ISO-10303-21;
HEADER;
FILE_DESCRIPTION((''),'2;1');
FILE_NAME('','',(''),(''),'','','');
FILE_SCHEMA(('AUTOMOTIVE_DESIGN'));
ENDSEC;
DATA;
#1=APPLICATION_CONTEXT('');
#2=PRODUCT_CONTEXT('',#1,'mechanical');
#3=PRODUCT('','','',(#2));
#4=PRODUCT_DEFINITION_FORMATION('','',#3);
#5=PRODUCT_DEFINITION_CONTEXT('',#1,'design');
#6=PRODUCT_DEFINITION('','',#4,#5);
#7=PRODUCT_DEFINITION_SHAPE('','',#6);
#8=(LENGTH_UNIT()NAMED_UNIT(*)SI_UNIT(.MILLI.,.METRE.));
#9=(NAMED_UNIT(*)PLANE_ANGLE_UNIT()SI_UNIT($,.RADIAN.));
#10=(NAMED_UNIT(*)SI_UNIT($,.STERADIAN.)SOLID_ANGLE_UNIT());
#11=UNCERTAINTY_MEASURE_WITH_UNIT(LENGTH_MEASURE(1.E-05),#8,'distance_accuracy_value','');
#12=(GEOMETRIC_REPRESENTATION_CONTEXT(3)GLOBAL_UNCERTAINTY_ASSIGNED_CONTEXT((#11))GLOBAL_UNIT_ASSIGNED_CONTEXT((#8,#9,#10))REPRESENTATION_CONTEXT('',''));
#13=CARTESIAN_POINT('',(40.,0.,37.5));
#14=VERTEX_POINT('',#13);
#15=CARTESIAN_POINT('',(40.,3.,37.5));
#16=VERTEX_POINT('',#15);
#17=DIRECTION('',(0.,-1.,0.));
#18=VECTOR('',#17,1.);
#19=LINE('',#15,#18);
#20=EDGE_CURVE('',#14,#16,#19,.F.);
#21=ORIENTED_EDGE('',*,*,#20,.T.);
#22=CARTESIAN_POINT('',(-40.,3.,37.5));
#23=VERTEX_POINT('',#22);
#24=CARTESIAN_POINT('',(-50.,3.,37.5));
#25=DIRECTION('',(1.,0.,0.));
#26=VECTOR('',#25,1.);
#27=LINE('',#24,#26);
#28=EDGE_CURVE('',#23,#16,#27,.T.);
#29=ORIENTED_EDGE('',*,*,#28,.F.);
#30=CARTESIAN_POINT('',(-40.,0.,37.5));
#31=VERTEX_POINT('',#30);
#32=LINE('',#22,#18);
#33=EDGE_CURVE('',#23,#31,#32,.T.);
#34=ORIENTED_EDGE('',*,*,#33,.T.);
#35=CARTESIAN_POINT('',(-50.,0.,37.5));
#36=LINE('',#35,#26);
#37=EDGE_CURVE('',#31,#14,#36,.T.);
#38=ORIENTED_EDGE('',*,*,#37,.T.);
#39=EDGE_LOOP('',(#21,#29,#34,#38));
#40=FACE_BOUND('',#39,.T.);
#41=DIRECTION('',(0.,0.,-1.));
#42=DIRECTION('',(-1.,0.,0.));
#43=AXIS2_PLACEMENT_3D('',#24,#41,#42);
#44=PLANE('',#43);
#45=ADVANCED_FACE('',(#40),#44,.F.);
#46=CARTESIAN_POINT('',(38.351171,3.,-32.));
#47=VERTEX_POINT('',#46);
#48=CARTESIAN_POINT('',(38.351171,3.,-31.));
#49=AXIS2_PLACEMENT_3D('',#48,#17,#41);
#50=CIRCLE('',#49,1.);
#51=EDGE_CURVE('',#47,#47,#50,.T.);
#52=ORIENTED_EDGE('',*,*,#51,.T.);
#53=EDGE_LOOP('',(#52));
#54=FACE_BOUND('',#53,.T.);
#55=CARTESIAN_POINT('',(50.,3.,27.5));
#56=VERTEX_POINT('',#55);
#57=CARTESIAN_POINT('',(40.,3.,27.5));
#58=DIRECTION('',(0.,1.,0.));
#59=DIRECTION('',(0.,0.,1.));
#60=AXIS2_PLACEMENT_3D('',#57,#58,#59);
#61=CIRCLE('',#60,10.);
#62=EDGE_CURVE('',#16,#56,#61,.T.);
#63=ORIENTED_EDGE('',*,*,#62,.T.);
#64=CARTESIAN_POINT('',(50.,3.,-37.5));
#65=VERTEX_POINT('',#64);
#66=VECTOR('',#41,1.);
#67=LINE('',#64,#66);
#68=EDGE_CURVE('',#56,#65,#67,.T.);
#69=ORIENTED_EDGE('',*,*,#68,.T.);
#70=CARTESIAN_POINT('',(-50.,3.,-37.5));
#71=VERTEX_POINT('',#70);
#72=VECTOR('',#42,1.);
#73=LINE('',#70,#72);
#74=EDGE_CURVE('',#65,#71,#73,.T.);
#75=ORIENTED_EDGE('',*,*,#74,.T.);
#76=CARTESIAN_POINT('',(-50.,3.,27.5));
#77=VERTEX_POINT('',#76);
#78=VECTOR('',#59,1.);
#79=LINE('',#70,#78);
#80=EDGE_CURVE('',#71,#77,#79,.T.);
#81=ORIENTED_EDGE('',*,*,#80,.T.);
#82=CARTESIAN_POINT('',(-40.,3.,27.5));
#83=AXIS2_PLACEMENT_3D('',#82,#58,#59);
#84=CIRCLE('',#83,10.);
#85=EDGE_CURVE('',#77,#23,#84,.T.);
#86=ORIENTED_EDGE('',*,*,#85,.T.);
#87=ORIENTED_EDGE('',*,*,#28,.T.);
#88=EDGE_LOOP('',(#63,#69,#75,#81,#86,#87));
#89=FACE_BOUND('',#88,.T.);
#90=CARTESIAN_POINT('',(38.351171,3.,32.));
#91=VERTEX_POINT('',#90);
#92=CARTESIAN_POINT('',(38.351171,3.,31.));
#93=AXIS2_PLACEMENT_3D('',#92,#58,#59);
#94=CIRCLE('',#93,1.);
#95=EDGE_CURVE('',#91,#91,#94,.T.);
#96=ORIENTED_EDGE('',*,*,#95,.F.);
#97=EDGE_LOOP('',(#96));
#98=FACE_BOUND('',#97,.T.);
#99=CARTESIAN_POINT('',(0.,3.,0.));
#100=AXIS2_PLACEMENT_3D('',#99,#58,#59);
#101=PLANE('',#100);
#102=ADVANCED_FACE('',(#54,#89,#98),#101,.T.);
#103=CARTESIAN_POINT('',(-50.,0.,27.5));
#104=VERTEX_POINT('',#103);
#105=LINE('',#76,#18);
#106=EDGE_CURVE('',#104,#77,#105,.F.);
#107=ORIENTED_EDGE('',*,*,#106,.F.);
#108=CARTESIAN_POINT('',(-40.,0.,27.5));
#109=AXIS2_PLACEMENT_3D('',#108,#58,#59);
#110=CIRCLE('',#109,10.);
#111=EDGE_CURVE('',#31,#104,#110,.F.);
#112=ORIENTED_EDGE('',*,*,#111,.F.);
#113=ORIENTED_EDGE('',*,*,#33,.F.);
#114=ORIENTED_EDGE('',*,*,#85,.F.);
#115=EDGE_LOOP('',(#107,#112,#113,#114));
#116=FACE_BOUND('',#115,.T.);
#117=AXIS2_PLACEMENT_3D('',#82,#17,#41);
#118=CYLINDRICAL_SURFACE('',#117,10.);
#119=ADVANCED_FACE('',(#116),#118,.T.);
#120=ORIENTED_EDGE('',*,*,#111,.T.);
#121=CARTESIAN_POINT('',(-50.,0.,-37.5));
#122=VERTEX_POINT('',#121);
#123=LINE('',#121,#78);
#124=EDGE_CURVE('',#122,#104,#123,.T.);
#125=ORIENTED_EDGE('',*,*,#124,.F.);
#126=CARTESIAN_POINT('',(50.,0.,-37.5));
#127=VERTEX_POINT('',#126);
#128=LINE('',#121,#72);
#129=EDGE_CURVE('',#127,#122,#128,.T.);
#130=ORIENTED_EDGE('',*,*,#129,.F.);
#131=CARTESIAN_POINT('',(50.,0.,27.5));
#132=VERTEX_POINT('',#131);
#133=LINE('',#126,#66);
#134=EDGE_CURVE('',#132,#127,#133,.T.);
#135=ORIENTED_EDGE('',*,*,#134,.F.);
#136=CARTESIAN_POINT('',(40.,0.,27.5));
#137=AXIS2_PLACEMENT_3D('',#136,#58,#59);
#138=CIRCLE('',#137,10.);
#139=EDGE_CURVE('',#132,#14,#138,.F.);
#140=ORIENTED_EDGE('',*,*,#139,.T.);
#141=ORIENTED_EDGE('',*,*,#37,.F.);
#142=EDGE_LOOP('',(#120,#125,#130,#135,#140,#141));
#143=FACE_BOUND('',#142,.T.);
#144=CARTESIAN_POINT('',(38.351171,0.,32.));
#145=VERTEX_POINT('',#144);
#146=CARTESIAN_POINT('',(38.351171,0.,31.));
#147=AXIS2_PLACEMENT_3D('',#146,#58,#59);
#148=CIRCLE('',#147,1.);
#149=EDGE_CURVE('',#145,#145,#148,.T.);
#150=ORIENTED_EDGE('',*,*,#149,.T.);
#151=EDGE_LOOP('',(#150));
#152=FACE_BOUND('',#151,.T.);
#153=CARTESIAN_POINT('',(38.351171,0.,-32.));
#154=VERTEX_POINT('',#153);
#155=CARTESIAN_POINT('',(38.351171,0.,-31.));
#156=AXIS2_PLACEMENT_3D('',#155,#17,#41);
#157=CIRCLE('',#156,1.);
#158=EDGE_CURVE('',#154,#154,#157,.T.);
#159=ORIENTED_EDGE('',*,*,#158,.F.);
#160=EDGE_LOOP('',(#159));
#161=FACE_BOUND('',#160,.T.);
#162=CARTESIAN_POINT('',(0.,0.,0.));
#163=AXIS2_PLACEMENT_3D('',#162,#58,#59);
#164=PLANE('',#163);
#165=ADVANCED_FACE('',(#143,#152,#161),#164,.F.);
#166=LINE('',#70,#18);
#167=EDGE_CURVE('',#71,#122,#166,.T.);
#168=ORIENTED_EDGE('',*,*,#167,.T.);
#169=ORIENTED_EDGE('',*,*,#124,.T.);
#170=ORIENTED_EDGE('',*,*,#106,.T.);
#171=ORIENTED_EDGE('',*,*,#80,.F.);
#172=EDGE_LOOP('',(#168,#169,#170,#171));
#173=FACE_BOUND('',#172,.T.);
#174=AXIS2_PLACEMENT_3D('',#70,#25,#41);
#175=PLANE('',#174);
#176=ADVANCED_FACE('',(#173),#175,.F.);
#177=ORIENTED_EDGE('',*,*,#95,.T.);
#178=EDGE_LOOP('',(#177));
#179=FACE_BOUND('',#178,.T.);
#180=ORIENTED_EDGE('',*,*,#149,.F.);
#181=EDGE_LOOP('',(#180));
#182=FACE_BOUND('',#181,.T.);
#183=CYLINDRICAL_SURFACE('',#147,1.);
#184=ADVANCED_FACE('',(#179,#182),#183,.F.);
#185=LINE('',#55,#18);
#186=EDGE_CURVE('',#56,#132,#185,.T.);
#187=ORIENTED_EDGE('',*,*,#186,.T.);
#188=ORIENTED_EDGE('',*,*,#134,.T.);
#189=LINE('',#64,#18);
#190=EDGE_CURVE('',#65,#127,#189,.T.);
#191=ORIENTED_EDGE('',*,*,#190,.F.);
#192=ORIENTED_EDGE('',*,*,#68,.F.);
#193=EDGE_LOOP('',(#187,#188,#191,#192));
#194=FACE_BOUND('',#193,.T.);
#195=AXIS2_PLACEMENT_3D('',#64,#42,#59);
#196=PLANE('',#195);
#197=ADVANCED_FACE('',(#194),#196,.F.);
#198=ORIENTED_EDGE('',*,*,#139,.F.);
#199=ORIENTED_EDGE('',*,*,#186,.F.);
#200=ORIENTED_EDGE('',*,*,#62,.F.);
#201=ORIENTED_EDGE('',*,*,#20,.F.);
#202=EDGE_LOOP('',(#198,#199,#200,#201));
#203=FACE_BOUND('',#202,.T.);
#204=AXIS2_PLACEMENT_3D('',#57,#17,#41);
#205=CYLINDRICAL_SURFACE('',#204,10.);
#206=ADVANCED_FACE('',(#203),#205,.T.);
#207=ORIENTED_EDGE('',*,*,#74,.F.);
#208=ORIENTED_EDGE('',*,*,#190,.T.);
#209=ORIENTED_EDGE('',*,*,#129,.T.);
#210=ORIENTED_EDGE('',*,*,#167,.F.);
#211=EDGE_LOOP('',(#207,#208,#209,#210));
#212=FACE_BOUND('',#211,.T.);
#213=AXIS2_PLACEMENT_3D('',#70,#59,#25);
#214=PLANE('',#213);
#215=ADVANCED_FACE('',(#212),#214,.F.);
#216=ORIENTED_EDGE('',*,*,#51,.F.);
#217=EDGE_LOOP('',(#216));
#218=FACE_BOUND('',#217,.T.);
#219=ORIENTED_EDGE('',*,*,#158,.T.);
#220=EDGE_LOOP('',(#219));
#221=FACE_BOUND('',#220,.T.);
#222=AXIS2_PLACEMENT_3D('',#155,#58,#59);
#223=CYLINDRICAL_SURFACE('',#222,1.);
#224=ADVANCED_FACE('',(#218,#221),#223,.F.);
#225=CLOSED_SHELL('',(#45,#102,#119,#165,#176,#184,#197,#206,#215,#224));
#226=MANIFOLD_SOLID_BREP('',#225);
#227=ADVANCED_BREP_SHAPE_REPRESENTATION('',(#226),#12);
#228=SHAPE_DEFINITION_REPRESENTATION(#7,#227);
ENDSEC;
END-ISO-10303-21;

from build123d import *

# Parameters (mm, degrees)
SKETCH1_W           = 100
SKETCH1_H           = 75
BOSS_EXTRUDE1_DEPTH = 3
FILLET1_R           = 10
SKETCH2_R           = 1
CUT_EXTRUDE1_DEPTH  = 4


with BuildPart() as part:
    # Sketch1 → Boss-Extrude1 (new body)
    with BuildSketch(Plane(origin=(0, 0, 0), x_dir=(1, 0, 0), z_dir=(0, 1, 0))):
        Rectangle(SKETCH1_W, SKETCH1_H)
    extrude(amount=BOSS_EXTRUDE1_DEPTH)

    # Fillet1
    fillet1_edges = [part.edges().sort_by_distance(p)[0] for p in [
        (50, 1.5, 37.5),
        (-50, 1.5, 37.5),
    ]]
    fillet(fillet1_edges, radius=FILLET1_R)

    # Sketch2 → Cut-Extrude1 (cut, through all)
    with BuildSketch(Plane(origin=(0, 3, 0), x_dir=(1, 0, 0), z_dir=(0, 1, 0))):
        with Locations((38.351170888, -31)):
            Circle(SKETCH2_R)
    cut_extrude1 = extrude(amount=-CUT_EXTRUDE1_DEPTH, mode=Mode.SUBTRACT)

    # Mirror1: Cut-Extrude1 across plane
    add(cut_extrude1.mirror(Plane.XY), mode=Mode.SUBTRACT)


solid = part.part
